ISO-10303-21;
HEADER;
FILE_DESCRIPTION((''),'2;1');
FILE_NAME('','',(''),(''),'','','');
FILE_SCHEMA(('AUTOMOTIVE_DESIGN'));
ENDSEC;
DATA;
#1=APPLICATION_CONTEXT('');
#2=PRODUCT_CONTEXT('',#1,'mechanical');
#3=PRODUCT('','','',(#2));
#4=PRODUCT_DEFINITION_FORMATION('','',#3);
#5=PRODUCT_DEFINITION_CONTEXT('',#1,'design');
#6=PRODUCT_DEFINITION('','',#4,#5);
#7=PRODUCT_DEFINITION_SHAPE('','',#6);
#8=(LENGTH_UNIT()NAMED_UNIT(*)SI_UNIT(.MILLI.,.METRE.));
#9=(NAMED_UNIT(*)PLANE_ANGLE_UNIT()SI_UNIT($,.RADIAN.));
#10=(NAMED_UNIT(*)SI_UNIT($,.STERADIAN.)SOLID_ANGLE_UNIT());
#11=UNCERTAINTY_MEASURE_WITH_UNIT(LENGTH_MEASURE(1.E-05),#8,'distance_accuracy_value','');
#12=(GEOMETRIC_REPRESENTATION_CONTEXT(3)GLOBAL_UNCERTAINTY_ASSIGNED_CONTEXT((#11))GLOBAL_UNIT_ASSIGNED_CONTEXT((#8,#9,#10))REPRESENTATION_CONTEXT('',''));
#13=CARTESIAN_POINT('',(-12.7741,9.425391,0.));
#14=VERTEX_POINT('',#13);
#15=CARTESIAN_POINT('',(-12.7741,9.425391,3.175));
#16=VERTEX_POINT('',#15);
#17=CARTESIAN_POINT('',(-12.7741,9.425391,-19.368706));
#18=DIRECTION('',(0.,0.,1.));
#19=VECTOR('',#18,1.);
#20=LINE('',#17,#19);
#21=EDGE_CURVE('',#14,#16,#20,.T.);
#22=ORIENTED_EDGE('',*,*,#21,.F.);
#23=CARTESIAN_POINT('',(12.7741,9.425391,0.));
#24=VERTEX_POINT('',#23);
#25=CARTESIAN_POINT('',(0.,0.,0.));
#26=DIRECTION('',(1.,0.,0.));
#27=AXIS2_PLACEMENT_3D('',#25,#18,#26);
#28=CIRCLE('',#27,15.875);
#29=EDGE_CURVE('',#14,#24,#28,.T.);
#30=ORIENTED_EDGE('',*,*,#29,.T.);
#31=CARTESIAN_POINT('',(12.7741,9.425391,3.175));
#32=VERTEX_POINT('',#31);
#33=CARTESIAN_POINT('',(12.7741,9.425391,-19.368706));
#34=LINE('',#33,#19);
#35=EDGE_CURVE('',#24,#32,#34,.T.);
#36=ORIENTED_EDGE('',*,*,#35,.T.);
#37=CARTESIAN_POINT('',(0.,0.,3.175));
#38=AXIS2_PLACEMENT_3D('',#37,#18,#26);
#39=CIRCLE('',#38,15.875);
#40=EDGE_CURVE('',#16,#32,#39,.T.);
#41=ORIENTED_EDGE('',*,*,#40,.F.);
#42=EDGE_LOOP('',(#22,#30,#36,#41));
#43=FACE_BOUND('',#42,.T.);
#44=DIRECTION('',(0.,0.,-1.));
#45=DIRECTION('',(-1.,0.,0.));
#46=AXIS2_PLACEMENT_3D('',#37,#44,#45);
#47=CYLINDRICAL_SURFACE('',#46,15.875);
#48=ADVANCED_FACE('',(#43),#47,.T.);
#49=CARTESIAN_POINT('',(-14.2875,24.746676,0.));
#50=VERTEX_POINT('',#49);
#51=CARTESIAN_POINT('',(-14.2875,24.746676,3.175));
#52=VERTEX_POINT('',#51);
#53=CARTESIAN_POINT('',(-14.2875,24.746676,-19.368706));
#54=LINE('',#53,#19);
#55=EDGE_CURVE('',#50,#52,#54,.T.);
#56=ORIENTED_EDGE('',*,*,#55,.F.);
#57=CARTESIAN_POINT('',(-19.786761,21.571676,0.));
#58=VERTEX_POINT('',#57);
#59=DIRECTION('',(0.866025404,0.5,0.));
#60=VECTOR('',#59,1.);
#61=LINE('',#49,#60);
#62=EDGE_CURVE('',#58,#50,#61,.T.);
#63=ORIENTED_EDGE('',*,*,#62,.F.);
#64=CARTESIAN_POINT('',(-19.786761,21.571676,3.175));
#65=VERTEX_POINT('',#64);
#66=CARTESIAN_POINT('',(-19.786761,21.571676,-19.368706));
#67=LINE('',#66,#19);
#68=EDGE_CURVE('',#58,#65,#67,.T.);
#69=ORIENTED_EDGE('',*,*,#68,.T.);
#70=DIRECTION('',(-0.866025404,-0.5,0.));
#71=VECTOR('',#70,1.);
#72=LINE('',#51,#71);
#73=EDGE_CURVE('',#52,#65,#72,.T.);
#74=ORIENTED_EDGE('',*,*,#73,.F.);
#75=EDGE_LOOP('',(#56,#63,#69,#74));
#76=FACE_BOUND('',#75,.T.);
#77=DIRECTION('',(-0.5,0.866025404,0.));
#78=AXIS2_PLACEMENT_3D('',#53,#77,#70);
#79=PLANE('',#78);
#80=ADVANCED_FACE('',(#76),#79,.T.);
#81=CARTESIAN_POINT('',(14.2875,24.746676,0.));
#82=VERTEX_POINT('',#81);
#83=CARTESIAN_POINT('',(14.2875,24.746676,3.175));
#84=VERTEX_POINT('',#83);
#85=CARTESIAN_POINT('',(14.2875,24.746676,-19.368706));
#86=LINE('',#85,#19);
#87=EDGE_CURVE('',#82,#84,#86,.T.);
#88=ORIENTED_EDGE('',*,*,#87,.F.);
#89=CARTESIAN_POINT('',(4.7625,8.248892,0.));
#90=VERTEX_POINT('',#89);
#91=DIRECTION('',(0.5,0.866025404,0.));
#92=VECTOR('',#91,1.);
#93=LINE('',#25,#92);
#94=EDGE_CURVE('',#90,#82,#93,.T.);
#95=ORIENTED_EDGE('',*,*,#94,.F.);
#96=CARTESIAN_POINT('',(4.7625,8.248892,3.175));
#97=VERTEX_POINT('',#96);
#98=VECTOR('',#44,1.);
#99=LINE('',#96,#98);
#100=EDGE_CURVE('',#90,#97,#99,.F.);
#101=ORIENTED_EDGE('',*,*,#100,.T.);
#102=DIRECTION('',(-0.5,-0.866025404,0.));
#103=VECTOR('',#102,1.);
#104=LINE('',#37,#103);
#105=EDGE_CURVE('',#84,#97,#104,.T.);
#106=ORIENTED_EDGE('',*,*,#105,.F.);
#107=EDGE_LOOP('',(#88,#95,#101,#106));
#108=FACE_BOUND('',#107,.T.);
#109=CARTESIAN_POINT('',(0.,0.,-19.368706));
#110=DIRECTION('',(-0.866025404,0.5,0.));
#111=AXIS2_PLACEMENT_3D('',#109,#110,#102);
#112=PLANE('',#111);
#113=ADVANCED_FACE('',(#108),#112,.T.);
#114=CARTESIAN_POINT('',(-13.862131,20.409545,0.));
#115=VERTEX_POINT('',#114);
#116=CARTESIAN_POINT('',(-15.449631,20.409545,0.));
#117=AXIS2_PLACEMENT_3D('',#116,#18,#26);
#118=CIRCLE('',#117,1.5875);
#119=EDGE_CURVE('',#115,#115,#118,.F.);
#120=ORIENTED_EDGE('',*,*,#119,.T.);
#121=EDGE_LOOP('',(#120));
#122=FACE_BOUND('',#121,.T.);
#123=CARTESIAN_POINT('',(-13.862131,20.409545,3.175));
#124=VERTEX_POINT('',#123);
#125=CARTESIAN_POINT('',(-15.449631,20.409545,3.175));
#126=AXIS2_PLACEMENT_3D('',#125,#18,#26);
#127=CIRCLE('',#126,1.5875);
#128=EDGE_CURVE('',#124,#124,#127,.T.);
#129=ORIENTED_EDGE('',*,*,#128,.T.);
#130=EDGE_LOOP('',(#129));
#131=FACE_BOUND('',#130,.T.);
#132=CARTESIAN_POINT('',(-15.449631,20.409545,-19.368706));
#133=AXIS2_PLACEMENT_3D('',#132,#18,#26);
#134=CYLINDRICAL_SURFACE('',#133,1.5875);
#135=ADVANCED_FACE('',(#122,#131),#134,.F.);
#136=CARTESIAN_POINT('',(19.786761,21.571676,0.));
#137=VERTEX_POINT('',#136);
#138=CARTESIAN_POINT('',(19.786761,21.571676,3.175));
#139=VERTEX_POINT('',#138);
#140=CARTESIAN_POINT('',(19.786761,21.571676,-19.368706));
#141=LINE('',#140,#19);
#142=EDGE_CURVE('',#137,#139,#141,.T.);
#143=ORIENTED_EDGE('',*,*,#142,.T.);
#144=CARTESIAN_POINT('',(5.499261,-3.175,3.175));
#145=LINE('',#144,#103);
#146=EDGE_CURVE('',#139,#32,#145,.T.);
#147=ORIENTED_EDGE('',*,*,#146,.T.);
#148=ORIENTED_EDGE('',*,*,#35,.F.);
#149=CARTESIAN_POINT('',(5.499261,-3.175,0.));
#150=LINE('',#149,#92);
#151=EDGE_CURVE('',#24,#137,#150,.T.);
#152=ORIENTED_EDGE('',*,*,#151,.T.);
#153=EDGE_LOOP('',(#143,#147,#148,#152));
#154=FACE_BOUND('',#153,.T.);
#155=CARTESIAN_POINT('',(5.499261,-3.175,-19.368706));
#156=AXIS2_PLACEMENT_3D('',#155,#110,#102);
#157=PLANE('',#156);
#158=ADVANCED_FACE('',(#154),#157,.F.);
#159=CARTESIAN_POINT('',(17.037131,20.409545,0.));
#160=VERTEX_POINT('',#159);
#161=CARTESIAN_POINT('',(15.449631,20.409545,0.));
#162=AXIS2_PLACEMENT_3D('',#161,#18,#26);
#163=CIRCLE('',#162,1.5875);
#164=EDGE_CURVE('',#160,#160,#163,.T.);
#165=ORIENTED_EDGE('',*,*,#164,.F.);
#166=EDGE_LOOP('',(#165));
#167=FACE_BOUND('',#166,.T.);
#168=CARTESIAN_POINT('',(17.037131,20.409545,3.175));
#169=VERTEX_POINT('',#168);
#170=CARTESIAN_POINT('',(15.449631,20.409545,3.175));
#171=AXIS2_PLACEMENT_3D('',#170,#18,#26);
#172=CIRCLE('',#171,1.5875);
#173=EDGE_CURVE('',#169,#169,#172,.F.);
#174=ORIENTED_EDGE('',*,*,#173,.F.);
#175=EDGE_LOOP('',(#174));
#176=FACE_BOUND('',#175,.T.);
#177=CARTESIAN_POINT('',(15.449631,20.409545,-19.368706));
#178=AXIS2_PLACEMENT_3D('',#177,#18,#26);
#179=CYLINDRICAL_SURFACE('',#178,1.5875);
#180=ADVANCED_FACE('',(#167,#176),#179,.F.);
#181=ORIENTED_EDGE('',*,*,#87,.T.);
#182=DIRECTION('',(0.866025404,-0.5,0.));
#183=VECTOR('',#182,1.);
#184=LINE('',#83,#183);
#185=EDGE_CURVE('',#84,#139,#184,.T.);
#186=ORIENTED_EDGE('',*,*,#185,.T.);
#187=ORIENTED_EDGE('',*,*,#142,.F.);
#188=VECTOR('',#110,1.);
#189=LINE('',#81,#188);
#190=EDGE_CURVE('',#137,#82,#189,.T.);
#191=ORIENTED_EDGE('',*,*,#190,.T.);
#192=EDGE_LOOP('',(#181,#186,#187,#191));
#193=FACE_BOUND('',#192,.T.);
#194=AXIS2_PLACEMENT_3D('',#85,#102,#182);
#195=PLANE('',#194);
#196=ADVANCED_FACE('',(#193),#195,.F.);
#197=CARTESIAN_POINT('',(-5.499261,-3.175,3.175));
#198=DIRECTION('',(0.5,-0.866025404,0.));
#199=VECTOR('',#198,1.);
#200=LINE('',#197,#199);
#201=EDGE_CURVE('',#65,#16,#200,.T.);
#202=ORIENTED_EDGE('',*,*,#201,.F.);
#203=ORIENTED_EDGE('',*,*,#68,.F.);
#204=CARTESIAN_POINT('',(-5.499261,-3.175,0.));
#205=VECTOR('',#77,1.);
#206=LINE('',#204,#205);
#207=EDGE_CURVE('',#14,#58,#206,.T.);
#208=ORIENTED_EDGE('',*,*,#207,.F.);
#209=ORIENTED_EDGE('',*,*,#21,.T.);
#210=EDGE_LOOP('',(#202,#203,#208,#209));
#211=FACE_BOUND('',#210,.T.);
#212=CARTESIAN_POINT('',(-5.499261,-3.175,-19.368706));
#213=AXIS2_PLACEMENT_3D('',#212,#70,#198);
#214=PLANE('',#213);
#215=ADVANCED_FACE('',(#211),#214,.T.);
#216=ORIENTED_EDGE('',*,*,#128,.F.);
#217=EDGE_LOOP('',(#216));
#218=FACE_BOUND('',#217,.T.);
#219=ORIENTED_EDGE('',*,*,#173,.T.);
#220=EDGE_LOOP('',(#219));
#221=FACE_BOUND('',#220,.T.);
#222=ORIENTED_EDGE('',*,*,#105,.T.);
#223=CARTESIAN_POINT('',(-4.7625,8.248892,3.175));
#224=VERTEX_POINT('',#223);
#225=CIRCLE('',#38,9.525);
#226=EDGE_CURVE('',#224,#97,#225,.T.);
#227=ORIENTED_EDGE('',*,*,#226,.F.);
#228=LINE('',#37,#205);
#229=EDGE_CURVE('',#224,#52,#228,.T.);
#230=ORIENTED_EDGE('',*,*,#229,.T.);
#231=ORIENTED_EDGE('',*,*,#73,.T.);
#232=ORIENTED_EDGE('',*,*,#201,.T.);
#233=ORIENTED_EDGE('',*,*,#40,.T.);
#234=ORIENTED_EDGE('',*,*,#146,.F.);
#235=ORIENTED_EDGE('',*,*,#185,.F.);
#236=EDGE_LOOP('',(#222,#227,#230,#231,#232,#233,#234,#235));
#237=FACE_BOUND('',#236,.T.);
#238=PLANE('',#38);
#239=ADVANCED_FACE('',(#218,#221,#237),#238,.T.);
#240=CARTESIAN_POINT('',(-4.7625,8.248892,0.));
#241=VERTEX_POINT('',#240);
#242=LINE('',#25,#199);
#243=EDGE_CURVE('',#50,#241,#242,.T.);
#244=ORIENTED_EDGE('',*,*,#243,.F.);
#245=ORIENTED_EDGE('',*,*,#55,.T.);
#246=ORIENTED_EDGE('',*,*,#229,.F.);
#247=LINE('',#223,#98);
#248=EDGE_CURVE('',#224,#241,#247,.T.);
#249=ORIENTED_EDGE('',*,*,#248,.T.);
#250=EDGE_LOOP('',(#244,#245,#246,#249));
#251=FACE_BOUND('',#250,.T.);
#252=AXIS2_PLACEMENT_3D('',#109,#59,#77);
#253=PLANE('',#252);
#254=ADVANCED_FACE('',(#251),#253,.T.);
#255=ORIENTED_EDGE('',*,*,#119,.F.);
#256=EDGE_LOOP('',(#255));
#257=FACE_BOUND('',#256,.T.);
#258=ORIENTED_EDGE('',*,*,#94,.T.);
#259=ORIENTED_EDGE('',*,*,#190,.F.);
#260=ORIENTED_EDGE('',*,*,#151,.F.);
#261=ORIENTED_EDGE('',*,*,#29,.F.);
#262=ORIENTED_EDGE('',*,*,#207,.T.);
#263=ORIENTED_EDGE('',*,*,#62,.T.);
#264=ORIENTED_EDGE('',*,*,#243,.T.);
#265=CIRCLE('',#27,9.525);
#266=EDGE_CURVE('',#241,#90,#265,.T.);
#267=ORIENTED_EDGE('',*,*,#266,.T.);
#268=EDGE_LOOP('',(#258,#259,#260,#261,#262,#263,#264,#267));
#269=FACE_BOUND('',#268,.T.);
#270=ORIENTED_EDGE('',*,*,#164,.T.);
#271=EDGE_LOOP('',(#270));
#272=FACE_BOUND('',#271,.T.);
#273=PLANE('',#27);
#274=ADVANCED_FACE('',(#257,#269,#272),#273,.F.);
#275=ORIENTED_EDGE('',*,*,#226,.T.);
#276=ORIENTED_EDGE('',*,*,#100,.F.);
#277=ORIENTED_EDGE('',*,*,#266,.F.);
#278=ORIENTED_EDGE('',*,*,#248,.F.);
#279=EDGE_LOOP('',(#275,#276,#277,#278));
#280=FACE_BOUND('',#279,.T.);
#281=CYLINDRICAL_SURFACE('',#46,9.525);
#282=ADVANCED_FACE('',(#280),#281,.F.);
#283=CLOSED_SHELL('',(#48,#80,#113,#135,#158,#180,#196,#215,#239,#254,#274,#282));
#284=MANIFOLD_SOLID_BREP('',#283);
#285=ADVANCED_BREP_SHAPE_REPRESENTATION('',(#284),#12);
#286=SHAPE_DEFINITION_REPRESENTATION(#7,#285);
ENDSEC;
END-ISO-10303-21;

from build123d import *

# Parameters (mm, degrees)
SKETCH2_R           = 15.875
SKETCH2_R_2         = 12.7
SKETCH2_R_3         = 9.525
BOSS_EXTRUDE1_DEPTH = 3.175
SKETCH3_R           = 1.5875
BOSS_EXTRUDE2_DEPTH = 3.175
CUT_EXTRUDE1_DEPTH  = 3.175


with BuildPart() as part:
    # Sketch2 → Boss-Extrude1 (new body)
    with BuildSketch(Plane.XY):
        Circle(SKETCH2_R)
        Circle(SKETCH2_R_2, mode=Mode.SUBTRACT)
        Circle(SKETCH2_R_2)
        Circle(SKETCH2_R_3, mode=Mode.SUBTRACT)
    extrude(amount=BOSS_EXTRUDE1_DEPTH)

    # Sketch3 → Boss-Extrude2 (add)
    with BuildSketch(Plane.XY.offset(3.175)):
        with BuildLine():
            ThreePointArc((-12.77410023, 9.425390619), (-10.578949158, 11.836446245), (-7.9375, 13.748153285))
            Line((-7.9375, 13.748153285), (-14.2875, 24.746675913))
            Line((-14.2875, 24.746675913), (-19.786761314, 21.571675913))
            Line((-19.786761314, 21.571675913), (-13.436761314, 10.573153285))
            Line((-13.436761314, 10.573153285), (-12.77410023, 9.425390619))
        make_face()
        with Locations((-15.449630657, 20.409545256)):
            Circle(SKETCH3_R, mode=Mode.SUBTRACT)
        with BuildLine():
            Line((14.2875, 24.746675913), (7.9375, 13.748153285))
            ThreePointArc((7.9375, 13.748153285), (10.578949158, 11.836446245), (12.77410023, 9.425390619))
            Line((12.77410023, 9.425390619), (13.436761314, 10.573153285))
            Line((13.436761314, 10.573153285), (19.786761314, 21.571675913))
            Line((19.786761314, 21.571675913), (14.2875, 24.746675913))
        make_face()
        with Locations((15.449630657, 20.409545256)):
            Circle(SKETCH3_R, mode=Mode.SUBTRACT)
    extrude(amount=-BOSS_EXTRUDE2_DEPTH)

    # Sketch5 → Cut-Extrude1 (cut)
    with BuildSketch(Plane.XY.offset(3.175)):
        with BuildLine():
            Line((-7.9375, 13.748153285), (0, 0))
            Line((0, 0), (7.9375, 13.748153285))
            ThreePointArc((7.9375, 13.748153285), (0, 15.875), (-7.9375, 13.748153285))
        make_face()
    extrude(amount=-CUT_EXTRUDE1_DEPTH, mode=Mode.SUBTRACT)


solid = part.part
